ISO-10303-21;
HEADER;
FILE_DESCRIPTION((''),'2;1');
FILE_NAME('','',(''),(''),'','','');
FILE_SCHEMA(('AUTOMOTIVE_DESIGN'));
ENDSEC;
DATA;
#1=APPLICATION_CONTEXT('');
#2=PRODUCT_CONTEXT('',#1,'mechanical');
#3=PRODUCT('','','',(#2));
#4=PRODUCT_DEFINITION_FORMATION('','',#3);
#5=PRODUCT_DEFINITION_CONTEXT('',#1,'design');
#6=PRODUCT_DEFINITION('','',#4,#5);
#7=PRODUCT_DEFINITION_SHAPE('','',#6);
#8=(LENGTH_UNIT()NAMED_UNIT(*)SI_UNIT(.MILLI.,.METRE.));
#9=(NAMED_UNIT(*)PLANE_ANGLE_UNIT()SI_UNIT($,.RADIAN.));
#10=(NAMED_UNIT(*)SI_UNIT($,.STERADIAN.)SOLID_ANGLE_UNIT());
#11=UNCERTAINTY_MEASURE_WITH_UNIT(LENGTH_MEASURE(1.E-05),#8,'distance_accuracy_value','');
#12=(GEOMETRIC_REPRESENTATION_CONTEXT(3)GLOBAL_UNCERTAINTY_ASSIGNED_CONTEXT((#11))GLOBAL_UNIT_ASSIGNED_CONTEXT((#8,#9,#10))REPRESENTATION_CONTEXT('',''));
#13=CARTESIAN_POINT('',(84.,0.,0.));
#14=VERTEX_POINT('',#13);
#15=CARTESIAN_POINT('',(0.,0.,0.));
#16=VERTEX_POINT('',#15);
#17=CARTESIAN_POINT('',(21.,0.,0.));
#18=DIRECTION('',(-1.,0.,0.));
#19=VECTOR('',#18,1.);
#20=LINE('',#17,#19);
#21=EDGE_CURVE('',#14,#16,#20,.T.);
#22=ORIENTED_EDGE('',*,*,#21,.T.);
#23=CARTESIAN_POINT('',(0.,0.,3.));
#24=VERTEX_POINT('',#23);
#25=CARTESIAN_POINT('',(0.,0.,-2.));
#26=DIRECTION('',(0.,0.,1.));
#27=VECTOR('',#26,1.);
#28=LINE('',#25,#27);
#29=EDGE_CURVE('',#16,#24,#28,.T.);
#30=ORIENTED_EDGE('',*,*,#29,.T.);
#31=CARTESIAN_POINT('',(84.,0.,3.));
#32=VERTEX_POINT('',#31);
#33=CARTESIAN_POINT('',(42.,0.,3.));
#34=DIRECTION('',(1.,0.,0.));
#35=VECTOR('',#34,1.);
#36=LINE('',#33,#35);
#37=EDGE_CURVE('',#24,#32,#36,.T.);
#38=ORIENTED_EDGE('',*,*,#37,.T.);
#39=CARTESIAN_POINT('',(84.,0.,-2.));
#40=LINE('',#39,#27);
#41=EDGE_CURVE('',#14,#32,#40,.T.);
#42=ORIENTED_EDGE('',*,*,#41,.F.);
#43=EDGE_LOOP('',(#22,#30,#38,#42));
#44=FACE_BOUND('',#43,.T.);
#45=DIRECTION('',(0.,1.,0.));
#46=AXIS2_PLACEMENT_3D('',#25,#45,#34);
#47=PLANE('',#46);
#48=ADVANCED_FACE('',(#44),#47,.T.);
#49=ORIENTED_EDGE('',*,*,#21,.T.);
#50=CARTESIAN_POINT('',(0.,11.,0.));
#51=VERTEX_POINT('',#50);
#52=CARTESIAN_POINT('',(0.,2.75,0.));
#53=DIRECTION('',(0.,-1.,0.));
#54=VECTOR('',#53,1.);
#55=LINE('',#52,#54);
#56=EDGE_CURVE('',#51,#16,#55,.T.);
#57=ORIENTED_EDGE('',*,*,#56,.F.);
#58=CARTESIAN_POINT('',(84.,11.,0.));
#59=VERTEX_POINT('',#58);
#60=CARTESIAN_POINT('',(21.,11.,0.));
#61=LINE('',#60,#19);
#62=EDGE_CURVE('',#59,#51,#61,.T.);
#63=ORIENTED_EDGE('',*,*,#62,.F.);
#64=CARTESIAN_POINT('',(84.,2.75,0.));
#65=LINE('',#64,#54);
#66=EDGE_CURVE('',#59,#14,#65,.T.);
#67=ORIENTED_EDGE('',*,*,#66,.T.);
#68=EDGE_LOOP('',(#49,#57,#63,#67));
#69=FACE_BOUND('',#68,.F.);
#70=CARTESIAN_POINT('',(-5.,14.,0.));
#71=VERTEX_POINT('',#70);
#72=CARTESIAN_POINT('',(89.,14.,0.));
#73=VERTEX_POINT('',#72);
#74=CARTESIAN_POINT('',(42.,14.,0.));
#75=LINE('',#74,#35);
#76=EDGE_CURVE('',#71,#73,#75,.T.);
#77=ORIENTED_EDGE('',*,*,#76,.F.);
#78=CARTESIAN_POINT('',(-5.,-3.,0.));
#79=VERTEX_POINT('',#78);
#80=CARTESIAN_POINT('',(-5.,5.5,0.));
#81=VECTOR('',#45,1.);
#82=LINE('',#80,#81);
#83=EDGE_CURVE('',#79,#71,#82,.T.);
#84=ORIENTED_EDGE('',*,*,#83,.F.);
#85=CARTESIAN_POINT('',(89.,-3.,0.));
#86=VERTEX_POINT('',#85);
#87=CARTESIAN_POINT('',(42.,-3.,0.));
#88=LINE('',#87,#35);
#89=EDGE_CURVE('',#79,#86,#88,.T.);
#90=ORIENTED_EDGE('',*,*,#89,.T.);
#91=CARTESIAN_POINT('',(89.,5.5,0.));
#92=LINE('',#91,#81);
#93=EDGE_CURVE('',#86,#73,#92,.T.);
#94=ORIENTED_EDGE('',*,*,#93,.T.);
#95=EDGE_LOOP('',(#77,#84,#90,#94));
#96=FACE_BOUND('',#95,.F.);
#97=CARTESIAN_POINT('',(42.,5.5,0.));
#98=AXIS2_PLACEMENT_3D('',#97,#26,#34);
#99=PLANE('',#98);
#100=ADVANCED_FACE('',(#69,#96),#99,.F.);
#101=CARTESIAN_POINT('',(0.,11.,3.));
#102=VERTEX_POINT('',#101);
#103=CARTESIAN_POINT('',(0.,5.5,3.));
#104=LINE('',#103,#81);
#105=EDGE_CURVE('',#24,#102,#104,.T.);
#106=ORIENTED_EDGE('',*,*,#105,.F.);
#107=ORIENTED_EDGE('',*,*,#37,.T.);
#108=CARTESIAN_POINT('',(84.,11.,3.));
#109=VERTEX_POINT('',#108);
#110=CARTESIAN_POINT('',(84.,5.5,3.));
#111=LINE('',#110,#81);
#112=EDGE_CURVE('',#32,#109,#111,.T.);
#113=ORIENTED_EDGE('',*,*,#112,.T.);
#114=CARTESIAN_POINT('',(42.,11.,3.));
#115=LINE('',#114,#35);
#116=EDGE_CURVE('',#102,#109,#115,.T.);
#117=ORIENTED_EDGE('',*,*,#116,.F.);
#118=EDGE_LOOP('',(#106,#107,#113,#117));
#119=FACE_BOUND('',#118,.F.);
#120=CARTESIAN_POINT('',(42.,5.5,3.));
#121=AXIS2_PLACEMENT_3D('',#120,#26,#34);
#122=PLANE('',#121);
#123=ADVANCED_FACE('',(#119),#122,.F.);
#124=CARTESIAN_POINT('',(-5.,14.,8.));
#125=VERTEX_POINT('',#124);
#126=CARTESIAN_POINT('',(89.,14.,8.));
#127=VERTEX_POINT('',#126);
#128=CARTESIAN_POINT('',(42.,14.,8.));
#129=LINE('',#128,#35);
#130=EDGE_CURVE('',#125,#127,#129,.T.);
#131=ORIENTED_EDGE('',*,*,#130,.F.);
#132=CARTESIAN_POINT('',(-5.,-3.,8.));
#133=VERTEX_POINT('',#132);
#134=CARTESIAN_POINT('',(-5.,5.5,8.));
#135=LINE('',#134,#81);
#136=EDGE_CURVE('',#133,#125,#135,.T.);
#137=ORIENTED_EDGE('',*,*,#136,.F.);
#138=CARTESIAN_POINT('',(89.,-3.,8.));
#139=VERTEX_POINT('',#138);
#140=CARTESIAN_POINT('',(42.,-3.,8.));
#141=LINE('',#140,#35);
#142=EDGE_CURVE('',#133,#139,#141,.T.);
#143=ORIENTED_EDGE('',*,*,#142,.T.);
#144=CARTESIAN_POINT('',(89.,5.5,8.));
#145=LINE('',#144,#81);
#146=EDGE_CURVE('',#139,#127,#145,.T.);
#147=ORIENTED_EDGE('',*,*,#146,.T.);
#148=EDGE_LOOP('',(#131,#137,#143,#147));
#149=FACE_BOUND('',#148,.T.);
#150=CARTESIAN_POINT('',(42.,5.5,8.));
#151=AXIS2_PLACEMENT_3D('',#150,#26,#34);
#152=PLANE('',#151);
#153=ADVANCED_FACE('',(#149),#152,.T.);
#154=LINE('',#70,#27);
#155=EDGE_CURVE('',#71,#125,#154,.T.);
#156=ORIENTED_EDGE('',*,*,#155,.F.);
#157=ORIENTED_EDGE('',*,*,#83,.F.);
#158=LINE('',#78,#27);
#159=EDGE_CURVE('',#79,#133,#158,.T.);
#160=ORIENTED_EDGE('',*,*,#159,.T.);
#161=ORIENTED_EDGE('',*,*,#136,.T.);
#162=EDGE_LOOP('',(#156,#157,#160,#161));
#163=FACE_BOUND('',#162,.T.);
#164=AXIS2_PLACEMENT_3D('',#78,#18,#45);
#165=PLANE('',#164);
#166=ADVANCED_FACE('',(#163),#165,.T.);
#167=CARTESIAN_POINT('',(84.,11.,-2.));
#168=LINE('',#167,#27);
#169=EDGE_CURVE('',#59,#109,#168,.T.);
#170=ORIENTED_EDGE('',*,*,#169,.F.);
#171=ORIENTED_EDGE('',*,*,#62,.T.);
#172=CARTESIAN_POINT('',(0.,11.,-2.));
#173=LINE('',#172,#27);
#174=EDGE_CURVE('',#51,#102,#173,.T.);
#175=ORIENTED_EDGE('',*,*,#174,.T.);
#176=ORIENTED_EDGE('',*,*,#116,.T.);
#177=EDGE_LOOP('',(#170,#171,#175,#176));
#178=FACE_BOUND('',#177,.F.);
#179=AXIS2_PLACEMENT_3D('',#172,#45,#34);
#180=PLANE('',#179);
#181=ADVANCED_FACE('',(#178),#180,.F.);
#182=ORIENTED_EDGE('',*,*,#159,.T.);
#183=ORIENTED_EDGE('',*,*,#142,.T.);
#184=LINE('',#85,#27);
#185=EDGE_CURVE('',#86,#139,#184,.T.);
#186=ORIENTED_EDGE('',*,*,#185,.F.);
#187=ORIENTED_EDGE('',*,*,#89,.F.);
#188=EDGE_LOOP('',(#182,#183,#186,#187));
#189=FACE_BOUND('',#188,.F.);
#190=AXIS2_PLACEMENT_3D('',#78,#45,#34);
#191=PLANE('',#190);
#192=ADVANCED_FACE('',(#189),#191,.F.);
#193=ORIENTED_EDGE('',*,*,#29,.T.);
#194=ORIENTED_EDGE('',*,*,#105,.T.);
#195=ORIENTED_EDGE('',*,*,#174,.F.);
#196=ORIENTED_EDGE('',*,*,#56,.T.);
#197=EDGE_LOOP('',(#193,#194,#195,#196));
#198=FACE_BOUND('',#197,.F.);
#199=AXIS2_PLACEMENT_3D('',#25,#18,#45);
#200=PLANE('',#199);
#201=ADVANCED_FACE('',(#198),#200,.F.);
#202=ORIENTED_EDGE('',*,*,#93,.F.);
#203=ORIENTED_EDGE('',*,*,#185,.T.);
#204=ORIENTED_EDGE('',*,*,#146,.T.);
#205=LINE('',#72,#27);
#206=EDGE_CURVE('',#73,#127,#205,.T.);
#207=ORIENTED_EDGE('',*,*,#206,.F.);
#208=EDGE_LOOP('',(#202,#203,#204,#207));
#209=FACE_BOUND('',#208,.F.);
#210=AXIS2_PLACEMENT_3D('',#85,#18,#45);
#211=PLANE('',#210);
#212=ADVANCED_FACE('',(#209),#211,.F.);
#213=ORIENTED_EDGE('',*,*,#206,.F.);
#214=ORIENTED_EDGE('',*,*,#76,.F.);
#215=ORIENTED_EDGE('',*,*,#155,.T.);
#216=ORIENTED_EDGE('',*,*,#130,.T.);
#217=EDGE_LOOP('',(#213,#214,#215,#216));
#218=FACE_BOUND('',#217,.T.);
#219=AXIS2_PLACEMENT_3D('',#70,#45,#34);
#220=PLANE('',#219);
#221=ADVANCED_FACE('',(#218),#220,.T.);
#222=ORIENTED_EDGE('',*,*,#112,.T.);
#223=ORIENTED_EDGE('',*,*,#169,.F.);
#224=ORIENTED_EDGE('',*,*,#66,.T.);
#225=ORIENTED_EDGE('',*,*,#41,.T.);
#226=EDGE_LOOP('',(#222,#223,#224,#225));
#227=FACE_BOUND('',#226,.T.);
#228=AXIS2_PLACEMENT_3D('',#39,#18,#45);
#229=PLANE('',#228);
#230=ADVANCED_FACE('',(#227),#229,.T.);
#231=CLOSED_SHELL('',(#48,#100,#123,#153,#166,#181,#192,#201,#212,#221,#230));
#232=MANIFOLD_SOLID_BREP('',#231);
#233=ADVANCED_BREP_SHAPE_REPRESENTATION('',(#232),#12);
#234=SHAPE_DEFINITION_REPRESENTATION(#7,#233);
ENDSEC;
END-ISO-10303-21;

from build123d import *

# Parameters (mm, degrees)
BOX005_W     = 84
BOX005_H     = 11
BOX005_DEPTH = 5
BOX004_W     = 94
BOX004_H     = 17
BOX004_DEPTH = 8


with BuildPart() as slidemodulenegative:
    # Box005 → Box005 (new body)
    with BuildSketch(Plane.XY.offset(-2)):
        with Locations((42, 5.5)):
            Rectangle(BOX005_W, BOX005_H)
    extrude(amount=BOX005_DEPTH)


with BuildPart() as slidingmodule:
    # Box004 → Box004 (new body)
    with BuildSketch(Plane(origin=(-5, -3, 0), x_dir=(1, 0, 0), z_dir=(0, 0, 1))):
        with Locations((47, 8.5)):
            Rectangle(BOX004_W, BOX004_H)
    extrude(amount=BOX004_DEPTH)

    # Cut002: cut SlideModuleNegative
    add(slidemodulenegative.part, mode=Mode.SUBTRACT)


solid = slidingmodule.part
